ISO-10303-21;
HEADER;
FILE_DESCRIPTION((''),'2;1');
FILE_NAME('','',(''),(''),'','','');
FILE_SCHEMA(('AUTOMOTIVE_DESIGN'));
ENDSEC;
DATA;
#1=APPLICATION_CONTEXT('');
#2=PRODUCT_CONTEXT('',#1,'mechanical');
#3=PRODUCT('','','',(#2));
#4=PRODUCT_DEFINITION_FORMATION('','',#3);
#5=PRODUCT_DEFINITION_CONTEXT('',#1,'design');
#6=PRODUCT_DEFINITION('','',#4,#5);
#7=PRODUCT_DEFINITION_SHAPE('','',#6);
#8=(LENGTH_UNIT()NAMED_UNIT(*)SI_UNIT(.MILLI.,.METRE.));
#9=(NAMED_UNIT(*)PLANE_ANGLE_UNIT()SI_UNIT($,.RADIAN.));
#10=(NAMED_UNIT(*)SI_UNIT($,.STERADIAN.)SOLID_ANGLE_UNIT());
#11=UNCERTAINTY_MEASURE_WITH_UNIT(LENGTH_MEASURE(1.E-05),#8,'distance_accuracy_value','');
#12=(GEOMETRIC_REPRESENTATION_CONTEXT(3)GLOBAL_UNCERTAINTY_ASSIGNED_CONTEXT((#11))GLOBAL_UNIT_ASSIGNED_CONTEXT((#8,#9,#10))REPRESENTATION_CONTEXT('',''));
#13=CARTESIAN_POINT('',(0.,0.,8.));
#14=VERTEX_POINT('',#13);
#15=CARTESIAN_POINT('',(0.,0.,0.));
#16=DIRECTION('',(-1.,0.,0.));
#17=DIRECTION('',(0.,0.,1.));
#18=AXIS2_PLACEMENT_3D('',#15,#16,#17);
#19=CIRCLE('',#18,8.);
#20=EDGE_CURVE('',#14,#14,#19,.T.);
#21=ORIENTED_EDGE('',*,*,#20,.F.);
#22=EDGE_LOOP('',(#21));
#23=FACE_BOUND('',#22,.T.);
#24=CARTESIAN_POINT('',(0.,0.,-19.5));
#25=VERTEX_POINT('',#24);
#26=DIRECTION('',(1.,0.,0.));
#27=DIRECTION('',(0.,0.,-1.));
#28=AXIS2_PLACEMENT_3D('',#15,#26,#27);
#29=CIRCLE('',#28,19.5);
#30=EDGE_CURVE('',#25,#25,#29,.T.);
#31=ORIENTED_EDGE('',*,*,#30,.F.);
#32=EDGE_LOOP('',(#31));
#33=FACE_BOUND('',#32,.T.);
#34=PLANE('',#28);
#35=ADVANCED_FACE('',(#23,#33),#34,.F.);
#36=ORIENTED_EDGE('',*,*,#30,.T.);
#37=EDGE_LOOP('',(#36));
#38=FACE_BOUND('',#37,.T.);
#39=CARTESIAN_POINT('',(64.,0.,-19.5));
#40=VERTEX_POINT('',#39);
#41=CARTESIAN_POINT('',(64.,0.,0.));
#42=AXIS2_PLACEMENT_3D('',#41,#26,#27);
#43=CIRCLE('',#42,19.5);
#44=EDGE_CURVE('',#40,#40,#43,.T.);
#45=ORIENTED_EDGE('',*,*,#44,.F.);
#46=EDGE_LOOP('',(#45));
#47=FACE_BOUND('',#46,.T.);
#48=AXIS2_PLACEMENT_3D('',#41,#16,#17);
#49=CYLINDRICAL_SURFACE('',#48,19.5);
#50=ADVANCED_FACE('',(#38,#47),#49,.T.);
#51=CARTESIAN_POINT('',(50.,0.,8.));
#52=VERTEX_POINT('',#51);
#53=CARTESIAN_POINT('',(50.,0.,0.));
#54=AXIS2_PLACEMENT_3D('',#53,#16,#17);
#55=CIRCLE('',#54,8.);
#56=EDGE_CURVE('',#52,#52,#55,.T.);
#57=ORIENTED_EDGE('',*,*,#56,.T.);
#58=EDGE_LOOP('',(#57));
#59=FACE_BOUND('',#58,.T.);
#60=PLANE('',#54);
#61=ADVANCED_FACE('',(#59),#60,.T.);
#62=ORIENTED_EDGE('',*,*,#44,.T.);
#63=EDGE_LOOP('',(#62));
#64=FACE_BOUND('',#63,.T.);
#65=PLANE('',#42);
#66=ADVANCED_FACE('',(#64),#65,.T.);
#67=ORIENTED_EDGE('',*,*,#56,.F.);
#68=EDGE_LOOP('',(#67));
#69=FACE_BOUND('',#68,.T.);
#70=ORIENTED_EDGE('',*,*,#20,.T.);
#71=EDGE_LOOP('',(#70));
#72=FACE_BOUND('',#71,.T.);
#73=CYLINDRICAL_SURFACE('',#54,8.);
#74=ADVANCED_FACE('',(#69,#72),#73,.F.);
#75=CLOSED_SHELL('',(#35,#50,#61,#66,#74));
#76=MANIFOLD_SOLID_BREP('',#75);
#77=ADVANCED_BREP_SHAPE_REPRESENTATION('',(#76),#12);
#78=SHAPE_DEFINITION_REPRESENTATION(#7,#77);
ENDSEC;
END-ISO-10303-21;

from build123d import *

# Parameters (mm, degrees)
SKETCH2_R           = 19.5
BOSS_EXTRUDE1_DEPTH = 64
SKETCH3_R           = 8
CUT_EXTRUDE1_DEPTH  = 50


with BuildPart() as part:
    # Sketch2 → Boss-Extrude1 (new body)
    with BuildSketch(Plane(origin=(0, 0, 0), x_dir=(0, 0, -1), z_dir=(1, 0, 0))):
        Circle(SKETCH2_R)
    extrude(amount=BOSS_EXTRUDE1_DEPTH)

    # Sketch3 → Cut-Extrude1 (cut)
    with BuildSketch(Plane.ZY):
        Circle(SKETCH3_R)
    extrude(amount=-CUT_EXTRUDE1_DEPTH, mode=Mode.SUBTRACT)


solid = part.part
